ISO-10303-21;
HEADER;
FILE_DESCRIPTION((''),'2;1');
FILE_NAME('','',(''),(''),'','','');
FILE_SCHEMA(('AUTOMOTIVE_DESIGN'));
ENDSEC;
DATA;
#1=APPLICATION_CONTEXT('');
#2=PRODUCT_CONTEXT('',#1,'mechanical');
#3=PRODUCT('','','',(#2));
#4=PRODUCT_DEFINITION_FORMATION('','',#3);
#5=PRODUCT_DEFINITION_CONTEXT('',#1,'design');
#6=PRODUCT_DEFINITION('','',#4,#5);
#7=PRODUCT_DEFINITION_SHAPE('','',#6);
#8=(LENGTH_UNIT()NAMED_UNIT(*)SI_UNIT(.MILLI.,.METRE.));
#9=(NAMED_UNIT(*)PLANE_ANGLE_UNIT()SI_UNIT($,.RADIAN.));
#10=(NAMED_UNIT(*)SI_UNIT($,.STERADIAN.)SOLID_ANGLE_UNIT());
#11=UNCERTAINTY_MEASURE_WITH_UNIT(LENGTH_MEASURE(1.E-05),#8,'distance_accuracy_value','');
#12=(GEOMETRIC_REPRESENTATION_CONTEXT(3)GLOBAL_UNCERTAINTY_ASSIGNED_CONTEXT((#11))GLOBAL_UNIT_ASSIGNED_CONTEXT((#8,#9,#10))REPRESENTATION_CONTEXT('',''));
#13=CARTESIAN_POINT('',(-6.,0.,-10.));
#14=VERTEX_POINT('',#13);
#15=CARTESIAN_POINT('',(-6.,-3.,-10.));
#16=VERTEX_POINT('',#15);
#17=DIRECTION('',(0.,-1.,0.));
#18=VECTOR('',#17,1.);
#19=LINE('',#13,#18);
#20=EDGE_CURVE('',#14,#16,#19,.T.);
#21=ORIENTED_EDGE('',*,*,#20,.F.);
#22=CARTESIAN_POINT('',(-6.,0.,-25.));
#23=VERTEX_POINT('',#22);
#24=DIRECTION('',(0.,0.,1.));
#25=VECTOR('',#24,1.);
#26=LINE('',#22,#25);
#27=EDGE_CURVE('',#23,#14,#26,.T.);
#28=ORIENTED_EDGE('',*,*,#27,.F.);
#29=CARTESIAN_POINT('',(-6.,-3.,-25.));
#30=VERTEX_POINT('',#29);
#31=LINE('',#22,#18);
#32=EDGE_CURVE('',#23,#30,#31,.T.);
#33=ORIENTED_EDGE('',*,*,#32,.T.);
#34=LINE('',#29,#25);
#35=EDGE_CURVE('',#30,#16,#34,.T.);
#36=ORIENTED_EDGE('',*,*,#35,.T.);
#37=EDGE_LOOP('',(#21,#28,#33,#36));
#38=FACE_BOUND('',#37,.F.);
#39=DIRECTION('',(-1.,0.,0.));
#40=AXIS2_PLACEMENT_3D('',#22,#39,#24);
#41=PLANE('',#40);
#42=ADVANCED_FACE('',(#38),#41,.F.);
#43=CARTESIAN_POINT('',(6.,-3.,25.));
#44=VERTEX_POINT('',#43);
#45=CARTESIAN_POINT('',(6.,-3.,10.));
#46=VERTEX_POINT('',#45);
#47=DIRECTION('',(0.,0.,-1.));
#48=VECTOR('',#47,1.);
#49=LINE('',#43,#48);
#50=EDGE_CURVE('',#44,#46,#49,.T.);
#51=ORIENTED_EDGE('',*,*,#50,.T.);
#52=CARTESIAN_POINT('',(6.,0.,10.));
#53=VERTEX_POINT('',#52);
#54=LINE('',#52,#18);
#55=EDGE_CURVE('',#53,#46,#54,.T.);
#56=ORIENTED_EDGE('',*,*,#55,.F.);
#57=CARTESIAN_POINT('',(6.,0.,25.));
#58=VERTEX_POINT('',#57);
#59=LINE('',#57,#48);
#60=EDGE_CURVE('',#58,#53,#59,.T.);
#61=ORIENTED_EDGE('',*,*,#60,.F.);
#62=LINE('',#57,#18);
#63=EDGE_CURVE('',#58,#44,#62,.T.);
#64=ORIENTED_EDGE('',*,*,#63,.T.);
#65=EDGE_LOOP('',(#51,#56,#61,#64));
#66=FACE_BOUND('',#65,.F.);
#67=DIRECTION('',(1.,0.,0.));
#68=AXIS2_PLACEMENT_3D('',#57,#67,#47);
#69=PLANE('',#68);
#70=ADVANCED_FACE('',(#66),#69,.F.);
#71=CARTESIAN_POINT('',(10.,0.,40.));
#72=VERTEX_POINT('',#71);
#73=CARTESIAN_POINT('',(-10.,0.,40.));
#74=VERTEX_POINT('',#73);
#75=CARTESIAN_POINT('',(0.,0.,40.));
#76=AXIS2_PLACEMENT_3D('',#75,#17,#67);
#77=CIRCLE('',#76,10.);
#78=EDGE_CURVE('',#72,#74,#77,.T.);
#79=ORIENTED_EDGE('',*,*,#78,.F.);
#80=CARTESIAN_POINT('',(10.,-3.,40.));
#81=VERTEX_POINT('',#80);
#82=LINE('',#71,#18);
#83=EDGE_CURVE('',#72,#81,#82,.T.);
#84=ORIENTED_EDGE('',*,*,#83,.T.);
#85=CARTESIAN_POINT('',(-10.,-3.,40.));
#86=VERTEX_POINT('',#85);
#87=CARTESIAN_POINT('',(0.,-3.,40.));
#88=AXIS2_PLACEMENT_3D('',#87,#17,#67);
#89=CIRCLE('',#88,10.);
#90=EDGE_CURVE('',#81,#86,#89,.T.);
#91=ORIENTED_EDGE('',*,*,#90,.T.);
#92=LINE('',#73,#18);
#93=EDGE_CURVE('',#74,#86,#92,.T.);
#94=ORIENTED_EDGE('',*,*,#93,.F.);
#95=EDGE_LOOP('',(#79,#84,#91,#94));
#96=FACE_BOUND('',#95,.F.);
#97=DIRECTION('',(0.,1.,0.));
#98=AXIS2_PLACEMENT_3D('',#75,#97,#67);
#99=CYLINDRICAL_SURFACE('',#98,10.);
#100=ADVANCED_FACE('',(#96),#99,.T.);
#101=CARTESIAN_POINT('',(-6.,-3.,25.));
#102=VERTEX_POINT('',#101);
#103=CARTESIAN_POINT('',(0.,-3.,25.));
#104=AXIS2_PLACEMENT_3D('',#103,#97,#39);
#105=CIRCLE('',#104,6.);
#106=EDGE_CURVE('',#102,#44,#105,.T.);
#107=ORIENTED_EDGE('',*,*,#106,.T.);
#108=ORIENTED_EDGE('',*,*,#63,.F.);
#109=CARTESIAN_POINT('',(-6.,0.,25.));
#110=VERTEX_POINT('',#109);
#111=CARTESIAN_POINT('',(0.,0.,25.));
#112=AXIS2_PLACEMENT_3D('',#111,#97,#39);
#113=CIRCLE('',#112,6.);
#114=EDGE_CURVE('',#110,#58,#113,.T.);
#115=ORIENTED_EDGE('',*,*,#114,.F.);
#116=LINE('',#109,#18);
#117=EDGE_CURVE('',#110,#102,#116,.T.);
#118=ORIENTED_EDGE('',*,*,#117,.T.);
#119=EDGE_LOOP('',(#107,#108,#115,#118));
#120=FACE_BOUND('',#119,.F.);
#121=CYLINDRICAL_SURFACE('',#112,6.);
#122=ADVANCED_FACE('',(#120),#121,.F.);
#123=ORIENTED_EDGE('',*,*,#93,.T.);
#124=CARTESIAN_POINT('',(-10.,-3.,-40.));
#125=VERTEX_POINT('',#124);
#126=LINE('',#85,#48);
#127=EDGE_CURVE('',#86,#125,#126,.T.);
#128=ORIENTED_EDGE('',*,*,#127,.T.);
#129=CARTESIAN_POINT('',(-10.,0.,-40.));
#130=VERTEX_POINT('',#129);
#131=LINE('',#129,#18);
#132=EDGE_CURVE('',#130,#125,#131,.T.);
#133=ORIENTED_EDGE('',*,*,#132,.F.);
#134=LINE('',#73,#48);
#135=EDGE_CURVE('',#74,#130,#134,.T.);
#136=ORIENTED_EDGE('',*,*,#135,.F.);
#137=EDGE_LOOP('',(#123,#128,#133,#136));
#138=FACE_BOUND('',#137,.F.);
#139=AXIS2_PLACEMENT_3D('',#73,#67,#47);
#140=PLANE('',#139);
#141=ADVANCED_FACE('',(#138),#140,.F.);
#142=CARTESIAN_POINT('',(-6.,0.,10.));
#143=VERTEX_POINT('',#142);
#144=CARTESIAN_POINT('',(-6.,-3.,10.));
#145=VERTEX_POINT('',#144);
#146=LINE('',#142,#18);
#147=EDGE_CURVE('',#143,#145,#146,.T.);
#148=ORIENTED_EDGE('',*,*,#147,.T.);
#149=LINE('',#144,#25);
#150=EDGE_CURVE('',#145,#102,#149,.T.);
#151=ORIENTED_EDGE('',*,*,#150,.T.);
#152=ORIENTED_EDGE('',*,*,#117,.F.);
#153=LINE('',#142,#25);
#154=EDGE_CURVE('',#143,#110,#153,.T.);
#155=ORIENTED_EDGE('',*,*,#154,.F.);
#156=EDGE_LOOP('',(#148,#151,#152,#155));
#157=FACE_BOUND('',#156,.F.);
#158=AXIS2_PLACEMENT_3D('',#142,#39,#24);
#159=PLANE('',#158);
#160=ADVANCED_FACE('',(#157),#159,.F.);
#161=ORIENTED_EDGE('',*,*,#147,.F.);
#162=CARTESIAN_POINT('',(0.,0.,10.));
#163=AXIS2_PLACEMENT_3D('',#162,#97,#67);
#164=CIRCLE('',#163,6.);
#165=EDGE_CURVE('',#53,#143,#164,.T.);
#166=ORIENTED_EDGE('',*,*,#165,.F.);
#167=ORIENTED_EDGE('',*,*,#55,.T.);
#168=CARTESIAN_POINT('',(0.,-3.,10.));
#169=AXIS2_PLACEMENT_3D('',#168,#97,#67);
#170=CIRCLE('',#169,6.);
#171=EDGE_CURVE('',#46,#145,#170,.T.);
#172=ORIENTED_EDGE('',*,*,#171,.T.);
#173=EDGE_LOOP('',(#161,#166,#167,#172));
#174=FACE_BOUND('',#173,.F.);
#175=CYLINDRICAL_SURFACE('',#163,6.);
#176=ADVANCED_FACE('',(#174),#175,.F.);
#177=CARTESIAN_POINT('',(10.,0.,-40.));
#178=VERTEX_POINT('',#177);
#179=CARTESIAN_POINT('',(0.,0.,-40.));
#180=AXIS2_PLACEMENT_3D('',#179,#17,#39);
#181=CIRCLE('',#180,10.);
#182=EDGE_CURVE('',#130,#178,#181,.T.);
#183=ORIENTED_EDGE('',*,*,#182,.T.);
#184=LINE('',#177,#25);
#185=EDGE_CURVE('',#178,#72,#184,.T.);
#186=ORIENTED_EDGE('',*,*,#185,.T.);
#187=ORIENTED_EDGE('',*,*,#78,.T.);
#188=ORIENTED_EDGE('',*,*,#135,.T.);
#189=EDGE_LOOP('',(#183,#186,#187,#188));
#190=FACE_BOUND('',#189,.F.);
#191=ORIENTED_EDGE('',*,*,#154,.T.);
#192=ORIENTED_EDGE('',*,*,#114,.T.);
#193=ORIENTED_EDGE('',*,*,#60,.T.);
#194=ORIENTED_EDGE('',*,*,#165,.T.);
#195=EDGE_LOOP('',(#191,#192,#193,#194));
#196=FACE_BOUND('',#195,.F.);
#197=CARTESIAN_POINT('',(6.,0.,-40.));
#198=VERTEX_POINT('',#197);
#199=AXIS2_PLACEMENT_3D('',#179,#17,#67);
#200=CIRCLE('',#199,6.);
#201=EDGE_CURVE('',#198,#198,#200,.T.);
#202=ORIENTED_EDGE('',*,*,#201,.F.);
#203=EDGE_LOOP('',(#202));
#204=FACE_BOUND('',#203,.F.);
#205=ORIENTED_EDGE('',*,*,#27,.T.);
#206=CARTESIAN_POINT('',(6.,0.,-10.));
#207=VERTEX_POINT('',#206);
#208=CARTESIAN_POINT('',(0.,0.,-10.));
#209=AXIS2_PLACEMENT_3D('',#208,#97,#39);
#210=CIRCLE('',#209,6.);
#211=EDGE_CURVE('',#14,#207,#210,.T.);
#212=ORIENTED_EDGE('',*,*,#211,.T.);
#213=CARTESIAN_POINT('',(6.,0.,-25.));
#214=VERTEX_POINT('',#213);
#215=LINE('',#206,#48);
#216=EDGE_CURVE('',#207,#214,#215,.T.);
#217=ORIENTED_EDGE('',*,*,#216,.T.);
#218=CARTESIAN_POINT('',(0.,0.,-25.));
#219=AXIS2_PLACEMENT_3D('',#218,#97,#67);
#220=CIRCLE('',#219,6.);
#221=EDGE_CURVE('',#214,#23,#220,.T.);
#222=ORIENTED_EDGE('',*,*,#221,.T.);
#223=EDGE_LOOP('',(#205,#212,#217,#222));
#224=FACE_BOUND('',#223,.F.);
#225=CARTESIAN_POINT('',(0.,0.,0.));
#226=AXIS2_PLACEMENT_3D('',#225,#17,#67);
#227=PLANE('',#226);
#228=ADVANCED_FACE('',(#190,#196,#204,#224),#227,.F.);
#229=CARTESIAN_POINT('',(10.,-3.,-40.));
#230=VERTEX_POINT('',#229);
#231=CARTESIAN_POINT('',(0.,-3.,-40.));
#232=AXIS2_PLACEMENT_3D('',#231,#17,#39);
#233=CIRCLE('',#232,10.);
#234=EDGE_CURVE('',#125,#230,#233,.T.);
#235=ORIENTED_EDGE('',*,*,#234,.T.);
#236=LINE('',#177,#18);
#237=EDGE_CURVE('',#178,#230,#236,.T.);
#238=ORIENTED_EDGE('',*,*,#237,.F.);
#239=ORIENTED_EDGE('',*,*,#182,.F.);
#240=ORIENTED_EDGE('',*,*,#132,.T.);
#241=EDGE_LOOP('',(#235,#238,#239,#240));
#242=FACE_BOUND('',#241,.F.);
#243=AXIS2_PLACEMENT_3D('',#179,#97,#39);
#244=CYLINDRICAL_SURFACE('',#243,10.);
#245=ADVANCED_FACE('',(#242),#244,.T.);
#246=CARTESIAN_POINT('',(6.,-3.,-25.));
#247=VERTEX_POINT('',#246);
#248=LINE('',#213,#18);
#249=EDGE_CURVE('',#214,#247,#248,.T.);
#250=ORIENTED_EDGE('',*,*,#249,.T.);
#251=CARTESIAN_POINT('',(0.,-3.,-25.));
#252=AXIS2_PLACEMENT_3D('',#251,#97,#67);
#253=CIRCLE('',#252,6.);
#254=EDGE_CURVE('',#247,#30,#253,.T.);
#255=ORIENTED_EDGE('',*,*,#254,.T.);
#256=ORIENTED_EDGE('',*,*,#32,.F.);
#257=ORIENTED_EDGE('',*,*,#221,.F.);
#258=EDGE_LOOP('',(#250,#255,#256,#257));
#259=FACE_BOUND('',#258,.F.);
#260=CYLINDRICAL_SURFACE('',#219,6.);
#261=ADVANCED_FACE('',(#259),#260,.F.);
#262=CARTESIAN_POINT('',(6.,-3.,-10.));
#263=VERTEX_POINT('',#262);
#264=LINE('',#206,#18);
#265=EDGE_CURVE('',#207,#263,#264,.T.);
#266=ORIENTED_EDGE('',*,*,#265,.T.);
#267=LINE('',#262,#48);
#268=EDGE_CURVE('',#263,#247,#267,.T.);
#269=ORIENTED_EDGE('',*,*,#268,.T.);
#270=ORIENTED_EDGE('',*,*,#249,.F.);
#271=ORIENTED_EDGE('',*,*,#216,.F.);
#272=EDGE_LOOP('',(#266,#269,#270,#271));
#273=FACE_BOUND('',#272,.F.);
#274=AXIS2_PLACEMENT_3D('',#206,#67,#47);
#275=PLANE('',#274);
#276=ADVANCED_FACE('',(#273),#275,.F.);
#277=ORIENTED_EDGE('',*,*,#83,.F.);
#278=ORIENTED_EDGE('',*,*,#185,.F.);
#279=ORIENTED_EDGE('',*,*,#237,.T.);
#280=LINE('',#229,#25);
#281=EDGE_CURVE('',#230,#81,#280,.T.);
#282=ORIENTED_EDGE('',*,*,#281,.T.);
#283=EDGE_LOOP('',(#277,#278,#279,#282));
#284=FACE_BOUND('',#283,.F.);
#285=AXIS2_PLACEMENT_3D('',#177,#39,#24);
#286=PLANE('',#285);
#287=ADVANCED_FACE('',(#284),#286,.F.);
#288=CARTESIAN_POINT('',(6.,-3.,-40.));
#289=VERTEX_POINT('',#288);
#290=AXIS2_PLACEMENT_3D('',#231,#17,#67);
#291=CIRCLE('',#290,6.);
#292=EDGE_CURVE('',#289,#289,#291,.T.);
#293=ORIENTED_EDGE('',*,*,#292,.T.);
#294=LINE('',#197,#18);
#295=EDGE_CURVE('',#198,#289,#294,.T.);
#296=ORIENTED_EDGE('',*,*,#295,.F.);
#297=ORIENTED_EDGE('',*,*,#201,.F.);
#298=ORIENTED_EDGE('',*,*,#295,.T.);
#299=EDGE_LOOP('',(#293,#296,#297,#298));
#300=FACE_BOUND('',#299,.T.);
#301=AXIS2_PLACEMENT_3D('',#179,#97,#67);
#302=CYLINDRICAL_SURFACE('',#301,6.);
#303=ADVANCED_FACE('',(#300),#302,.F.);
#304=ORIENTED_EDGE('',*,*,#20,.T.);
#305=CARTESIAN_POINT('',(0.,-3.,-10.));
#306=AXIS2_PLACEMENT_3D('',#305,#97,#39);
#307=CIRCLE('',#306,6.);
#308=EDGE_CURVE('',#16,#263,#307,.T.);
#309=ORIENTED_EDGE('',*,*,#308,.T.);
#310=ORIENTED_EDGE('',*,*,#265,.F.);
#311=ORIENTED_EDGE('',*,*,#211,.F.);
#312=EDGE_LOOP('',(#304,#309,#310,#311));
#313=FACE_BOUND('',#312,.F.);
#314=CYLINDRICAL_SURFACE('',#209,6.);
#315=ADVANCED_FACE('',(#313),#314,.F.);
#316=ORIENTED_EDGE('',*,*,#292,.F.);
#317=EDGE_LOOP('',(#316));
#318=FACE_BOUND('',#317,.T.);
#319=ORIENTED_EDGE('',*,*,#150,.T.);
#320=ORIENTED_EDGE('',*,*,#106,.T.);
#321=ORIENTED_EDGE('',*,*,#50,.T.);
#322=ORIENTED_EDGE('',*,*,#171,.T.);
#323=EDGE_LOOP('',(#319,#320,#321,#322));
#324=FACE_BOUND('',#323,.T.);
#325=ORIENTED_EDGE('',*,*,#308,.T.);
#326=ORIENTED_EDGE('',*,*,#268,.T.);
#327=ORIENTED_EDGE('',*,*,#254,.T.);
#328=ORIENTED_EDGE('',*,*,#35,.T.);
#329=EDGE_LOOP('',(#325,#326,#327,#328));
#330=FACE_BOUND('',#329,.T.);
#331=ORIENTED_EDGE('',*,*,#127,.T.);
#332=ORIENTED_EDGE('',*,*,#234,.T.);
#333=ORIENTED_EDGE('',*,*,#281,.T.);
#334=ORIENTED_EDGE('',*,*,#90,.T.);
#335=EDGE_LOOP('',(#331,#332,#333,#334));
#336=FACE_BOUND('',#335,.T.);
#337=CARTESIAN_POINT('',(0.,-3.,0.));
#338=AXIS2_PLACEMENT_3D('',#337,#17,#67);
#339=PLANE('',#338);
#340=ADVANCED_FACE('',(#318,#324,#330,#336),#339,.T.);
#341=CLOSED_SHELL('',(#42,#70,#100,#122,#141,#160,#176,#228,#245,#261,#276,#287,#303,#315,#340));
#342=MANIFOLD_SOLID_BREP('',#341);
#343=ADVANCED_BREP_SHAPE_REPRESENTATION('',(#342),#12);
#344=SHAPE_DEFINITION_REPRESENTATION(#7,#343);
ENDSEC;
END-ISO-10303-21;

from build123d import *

# Parameters (mm, degrees)
F0_R     = 6
F1_DEPTH = 3


with BuildPart() as f1:
    # F0 (on Front) → F1 (new body)
    with BuildSketch(Plane.XZ):
        with BuildLine():
            ThreePointArc((-10, -40), (0, -50), (10, -40))
            Line((10, -40), (10, 40))
            ThreePointArc((10, 40), (0, 50), (-10, 40))
            Line((-10, 40), (-10, -40))
        make_face()
        with Locations((0, -40)):
            Circle(F0_R, mode=Mode.SUBTRACT)
        with BuildLine():
            Line((6, -10), (6, -25))
            ThreePointArc((6, -25), (0, -31), (-6, -25))
            Line((-6, -25), (-6, -10))
            ThreePointArc((-6, -10), (0, -4), (6, -10))
        make_face(mode=Mode.SUBTRACT)
        with BuildLine():
            Line((6, 25), (6, 10))
            ThreePointArc((6, 10), (0, 4), (-6, 10))
            Line((-6, 10), (-6, 25))
            ThreePointArc((-6, 25), (0, 31), (6, 25))
        make_face(mode=Mode.SUBTRACT)
    extrude(amount=F1_DEPTH)


solid = f1.part
